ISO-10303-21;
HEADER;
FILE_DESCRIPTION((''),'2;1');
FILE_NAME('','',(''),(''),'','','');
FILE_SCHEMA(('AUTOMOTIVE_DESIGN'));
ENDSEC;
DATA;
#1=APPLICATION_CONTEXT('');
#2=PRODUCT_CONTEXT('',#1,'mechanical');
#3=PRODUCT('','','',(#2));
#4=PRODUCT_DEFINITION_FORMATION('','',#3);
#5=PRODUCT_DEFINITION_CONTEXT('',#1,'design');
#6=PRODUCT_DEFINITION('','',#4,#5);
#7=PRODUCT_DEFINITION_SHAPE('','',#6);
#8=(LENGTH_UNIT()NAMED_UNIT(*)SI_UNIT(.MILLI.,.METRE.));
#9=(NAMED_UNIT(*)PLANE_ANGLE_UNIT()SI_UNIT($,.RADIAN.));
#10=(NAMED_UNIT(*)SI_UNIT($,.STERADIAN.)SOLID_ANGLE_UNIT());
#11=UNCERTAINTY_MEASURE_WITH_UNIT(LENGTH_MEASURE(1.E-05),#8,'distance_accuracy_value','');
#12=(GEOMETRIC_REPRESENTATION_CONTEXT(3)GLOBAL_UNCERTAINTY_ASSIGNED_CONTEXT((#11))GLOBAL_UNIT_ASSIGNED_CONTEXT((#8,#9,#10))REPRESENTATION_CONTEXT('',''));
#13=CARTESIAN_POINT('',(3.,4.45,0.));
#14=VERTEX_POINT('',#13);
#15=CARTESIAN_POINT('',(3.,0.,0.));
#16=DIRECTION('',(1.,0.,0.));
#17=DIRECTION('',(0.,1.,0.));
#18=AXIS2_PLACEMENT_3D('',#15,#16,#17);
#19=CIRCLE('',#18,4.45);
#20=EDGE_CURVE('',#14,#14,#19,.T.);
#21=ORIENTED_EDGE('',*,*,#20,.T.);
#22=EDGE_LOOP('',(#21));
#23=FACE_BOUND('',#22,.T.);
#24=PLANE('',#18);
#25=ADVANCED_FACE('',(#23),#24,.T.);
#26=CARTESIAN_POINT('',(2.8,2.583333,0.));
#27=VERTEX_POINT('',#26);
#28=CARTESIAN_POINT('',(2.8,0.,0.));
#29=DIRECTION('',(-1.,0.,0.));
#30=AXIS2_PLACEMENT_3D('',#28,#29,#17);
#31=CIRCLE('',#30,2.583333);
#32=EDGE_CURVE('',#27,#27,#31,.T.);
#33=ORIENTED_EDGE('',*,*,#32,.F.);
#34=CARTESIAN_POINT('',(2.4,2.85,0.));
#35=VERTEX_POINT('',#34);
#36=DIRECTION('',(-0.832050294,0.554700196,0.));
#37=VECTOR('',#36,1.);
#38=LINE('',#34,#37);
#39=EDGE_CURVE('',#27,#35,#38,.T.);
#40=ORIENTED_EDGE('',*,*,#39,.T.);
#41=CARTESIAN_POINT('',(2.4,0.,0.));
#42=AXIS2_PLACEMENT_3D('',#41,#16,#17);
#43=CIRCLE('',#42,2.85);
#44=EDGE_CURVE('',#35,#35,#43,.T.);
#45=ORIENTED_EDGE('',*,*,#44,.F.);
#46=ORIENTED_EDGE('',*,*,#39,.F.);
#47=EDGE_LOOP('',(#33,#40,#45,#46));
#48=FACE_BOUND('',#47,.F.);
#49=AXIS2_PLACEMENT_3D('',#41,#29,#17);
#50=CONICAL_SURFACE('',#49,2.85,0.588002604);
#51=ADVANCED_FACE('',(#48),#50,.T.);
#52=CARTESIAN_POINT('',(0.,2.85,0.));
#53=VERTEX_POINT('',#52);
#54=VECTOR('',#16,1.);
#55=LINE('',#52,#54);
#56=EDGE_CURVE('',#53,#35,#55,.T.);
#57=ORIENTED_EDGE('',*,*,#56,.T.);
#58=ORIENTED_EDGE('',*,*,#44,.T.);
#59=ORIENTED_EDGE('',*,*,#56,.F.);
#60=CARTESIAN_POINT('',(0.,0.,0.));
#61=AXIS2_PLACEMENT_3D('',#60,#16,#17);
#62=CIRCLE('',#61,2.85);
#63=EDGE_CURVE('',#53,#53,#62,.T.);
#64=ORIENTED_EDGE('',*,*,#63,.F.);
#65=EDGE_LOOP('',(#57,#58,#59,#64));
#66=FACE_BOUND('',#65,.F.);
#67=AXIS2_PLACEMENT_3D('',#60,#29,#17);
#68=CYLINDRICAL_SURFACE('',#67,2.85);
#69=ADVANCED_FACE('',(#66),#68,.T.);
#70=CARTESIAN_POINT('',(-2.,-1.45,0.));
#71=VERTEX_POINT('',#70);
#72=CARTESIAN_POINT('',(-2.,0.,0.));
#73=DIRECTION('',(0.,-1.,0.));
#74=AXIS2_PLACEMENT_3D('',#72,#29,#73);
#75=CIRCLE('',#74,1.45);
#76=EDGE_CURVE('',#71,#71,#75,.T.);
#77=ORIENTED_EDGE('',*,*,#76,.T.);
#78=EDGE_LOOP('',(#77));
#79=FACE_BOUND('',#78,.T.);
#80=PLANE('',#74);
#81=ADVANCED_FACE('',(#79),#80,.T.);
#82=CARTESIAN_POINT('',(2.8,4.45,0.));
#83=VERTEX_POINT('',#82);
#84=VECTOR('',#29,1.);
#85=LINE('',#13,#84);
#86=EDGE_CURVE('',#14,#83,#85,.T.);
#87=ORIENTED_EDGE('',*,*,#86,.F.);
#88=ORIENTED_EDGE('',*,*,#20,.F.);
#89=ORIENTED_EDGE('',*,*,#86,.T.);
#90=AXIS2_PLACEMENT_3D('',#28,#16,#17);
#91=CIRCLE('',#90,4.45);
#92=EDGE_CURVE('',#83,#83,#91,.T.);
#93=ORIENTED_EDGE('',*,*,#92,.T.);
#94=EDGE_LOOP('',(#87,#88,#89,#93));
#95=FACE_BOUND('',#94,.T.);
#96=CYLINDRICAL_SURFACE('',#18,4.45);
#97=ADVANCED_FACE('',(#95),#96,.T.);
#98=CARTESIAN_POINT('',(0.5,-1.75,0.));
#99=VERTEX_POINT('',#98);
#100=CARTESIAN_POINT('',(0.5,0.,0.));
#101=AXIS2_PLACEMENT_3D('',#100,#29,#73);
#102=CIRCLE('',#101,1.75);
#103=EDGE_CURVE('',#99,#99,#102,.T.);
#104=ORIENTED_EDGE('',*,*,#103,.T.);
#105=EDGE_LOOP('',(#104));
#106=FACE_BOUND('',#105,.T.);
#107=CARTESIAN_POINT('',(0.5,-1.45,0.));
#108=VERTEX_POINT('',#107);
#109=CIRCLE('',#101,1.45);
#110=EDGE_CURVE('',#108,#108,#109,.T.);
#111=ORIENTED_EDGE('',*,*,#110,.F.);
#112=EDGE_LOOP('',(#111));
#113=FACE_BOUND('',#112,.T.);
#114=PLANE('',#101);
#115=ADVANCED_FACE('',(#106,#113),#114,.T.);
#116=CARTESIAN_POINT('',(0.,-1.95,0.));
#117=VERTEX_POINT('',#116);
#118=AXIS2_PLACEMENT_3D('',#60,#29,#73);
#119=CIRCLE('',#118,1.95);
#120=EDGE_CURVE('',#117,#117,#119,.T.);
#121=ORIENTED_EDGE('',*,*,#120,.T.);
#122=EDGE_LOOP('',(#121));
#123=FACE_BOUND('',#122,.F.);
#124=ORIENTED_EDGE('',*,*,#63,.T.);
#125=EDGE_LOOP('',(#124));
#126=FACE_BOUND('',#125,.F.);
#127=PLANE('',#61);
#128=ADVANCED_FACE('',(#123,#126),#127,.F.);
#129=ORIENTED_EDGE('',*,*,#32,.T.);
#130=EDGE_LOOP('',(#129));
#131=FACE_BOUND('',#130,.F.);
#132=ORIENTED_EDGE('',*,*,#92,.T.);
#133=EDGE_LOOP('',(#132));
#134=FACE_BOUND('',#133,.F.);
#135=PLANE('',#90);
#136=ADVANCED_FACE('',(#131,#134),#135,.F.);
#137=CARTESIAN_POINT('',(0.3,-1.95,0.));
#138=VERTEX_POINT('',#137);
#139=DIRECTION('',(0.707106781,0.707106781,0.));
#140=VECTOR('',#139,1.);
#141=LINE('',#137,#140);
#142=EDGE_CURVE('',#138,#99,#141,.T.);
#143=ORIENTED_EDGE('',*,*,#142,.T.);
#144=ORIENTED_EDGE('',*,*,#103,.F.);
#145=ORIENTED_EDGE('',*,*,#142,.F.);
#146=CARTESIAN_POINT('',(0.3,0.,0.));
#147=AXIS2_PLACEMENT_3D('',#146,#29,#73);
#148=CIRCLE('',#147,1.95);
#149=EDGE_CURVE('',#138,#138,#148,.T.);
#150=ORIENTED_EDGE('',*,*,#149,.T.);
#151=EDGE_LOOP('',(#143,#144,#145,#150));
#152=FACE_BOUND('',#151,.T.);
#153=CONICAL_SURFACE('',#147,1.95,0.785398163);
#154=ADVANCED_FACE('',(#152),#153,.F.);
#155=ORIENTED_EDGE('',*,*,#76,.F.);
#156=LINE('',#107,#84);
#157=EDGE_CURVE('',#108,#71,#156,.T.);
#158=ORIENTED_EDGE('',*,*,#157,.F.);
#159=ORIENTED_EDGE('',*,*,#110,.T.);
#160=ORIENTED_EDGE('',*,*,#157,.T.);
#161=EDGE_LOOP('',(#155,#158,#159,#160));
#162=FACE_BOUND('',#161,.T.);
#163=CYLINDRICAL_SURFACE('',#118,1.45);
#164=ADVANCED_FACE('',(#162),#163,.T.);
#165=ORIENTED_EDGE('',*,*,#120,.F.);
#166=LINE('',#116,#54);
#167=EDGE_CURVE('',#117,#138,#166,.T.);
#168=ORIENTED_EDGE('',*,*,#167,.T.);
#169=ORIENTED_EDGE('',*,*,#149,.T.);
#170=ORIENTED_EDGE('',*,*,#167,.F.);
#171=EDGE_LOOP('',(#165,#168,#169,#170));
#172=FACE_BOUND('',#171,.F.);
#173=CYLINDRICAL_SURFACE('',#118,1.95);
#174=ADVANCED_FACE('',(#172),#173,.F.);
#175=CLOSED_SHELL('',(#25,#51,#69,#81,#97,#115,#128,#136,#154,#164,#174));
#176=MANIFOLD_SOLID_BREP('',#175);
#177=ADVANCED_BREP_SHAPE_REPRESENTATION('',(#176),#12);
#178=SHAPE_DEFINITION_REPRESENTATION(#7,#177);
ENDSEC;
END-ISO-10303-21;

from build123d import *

# Parameters (mm, degrees)
F0_R     = 2.85
F1_DEPTH = 3
F2_SIZE2 = 0.6
F2_SIZE  = 0.4
F3_R     = 1.45
F4_DEPTH = 2
F5_R     = 1.95
F5_R_2   = 1.45
F6_DEPTH = 0.5
F7_SIZE  = 0.2
F8_R     = 4.45
F8_R_2   = 2.45
F9_DEPTH = 0.2


with BuildPart() as f1:
    # F0 (on Right) → F1 (new body)
    with BuildSketch(Plane.YZ):
        Circle(F0_R)
    extrude(amount=F1_DEPTH)

    # F2
    f2_edges = [f1.edges().sort_by_distance(p)[0] for p in [
        (3, -2.85, 0),
    ]]
    f2_side = f1.faces().sort_by_distance((3, 0, 0))[0]
    chamfer(f2_edges, length=F2_SIZE, length2=F2_SIZE2, reference=f2_side)

    # F3 (on face) → F4 (join)
    with BuildSketch(Plane(origin=(0, 0, 0), x_dir=(0, -1, 0), z_dir=(-1, 0, 0))):
        Circle(F3_R)
    extrude(amount=F4_DEPTH)

    # F5 (on face) → F6 (cut)
    with BuildSketch(Plane(origin=(0, 0, 0), x_dir=(0, -1, 0), z_dir=(-1, 0, 0))):
        Circle(F5_R)
        Circle(F5_R_2, mode=Mode.SUBTRACT)
    extrude(amount=-F6_DEPTH, mode=Mode.SUBTRACT)

    # F7
    f7_edges = [f1.edges().sort_by_distance(p)[0] for p in [
        (0.5, 1.95, 0),
    ]]
    chamfer(f7_edges, length=F7_SIZE)

    # F8 (on face) → F9 (join)
    with BuildSketch(Plane.YZ.offset(3)):
        Circle(F8_R)
        Circle(F8_R_2, mode=Mode.SUBTRACT)
    extrude(amount=-F9_DEPTH)


solid = f1.part
